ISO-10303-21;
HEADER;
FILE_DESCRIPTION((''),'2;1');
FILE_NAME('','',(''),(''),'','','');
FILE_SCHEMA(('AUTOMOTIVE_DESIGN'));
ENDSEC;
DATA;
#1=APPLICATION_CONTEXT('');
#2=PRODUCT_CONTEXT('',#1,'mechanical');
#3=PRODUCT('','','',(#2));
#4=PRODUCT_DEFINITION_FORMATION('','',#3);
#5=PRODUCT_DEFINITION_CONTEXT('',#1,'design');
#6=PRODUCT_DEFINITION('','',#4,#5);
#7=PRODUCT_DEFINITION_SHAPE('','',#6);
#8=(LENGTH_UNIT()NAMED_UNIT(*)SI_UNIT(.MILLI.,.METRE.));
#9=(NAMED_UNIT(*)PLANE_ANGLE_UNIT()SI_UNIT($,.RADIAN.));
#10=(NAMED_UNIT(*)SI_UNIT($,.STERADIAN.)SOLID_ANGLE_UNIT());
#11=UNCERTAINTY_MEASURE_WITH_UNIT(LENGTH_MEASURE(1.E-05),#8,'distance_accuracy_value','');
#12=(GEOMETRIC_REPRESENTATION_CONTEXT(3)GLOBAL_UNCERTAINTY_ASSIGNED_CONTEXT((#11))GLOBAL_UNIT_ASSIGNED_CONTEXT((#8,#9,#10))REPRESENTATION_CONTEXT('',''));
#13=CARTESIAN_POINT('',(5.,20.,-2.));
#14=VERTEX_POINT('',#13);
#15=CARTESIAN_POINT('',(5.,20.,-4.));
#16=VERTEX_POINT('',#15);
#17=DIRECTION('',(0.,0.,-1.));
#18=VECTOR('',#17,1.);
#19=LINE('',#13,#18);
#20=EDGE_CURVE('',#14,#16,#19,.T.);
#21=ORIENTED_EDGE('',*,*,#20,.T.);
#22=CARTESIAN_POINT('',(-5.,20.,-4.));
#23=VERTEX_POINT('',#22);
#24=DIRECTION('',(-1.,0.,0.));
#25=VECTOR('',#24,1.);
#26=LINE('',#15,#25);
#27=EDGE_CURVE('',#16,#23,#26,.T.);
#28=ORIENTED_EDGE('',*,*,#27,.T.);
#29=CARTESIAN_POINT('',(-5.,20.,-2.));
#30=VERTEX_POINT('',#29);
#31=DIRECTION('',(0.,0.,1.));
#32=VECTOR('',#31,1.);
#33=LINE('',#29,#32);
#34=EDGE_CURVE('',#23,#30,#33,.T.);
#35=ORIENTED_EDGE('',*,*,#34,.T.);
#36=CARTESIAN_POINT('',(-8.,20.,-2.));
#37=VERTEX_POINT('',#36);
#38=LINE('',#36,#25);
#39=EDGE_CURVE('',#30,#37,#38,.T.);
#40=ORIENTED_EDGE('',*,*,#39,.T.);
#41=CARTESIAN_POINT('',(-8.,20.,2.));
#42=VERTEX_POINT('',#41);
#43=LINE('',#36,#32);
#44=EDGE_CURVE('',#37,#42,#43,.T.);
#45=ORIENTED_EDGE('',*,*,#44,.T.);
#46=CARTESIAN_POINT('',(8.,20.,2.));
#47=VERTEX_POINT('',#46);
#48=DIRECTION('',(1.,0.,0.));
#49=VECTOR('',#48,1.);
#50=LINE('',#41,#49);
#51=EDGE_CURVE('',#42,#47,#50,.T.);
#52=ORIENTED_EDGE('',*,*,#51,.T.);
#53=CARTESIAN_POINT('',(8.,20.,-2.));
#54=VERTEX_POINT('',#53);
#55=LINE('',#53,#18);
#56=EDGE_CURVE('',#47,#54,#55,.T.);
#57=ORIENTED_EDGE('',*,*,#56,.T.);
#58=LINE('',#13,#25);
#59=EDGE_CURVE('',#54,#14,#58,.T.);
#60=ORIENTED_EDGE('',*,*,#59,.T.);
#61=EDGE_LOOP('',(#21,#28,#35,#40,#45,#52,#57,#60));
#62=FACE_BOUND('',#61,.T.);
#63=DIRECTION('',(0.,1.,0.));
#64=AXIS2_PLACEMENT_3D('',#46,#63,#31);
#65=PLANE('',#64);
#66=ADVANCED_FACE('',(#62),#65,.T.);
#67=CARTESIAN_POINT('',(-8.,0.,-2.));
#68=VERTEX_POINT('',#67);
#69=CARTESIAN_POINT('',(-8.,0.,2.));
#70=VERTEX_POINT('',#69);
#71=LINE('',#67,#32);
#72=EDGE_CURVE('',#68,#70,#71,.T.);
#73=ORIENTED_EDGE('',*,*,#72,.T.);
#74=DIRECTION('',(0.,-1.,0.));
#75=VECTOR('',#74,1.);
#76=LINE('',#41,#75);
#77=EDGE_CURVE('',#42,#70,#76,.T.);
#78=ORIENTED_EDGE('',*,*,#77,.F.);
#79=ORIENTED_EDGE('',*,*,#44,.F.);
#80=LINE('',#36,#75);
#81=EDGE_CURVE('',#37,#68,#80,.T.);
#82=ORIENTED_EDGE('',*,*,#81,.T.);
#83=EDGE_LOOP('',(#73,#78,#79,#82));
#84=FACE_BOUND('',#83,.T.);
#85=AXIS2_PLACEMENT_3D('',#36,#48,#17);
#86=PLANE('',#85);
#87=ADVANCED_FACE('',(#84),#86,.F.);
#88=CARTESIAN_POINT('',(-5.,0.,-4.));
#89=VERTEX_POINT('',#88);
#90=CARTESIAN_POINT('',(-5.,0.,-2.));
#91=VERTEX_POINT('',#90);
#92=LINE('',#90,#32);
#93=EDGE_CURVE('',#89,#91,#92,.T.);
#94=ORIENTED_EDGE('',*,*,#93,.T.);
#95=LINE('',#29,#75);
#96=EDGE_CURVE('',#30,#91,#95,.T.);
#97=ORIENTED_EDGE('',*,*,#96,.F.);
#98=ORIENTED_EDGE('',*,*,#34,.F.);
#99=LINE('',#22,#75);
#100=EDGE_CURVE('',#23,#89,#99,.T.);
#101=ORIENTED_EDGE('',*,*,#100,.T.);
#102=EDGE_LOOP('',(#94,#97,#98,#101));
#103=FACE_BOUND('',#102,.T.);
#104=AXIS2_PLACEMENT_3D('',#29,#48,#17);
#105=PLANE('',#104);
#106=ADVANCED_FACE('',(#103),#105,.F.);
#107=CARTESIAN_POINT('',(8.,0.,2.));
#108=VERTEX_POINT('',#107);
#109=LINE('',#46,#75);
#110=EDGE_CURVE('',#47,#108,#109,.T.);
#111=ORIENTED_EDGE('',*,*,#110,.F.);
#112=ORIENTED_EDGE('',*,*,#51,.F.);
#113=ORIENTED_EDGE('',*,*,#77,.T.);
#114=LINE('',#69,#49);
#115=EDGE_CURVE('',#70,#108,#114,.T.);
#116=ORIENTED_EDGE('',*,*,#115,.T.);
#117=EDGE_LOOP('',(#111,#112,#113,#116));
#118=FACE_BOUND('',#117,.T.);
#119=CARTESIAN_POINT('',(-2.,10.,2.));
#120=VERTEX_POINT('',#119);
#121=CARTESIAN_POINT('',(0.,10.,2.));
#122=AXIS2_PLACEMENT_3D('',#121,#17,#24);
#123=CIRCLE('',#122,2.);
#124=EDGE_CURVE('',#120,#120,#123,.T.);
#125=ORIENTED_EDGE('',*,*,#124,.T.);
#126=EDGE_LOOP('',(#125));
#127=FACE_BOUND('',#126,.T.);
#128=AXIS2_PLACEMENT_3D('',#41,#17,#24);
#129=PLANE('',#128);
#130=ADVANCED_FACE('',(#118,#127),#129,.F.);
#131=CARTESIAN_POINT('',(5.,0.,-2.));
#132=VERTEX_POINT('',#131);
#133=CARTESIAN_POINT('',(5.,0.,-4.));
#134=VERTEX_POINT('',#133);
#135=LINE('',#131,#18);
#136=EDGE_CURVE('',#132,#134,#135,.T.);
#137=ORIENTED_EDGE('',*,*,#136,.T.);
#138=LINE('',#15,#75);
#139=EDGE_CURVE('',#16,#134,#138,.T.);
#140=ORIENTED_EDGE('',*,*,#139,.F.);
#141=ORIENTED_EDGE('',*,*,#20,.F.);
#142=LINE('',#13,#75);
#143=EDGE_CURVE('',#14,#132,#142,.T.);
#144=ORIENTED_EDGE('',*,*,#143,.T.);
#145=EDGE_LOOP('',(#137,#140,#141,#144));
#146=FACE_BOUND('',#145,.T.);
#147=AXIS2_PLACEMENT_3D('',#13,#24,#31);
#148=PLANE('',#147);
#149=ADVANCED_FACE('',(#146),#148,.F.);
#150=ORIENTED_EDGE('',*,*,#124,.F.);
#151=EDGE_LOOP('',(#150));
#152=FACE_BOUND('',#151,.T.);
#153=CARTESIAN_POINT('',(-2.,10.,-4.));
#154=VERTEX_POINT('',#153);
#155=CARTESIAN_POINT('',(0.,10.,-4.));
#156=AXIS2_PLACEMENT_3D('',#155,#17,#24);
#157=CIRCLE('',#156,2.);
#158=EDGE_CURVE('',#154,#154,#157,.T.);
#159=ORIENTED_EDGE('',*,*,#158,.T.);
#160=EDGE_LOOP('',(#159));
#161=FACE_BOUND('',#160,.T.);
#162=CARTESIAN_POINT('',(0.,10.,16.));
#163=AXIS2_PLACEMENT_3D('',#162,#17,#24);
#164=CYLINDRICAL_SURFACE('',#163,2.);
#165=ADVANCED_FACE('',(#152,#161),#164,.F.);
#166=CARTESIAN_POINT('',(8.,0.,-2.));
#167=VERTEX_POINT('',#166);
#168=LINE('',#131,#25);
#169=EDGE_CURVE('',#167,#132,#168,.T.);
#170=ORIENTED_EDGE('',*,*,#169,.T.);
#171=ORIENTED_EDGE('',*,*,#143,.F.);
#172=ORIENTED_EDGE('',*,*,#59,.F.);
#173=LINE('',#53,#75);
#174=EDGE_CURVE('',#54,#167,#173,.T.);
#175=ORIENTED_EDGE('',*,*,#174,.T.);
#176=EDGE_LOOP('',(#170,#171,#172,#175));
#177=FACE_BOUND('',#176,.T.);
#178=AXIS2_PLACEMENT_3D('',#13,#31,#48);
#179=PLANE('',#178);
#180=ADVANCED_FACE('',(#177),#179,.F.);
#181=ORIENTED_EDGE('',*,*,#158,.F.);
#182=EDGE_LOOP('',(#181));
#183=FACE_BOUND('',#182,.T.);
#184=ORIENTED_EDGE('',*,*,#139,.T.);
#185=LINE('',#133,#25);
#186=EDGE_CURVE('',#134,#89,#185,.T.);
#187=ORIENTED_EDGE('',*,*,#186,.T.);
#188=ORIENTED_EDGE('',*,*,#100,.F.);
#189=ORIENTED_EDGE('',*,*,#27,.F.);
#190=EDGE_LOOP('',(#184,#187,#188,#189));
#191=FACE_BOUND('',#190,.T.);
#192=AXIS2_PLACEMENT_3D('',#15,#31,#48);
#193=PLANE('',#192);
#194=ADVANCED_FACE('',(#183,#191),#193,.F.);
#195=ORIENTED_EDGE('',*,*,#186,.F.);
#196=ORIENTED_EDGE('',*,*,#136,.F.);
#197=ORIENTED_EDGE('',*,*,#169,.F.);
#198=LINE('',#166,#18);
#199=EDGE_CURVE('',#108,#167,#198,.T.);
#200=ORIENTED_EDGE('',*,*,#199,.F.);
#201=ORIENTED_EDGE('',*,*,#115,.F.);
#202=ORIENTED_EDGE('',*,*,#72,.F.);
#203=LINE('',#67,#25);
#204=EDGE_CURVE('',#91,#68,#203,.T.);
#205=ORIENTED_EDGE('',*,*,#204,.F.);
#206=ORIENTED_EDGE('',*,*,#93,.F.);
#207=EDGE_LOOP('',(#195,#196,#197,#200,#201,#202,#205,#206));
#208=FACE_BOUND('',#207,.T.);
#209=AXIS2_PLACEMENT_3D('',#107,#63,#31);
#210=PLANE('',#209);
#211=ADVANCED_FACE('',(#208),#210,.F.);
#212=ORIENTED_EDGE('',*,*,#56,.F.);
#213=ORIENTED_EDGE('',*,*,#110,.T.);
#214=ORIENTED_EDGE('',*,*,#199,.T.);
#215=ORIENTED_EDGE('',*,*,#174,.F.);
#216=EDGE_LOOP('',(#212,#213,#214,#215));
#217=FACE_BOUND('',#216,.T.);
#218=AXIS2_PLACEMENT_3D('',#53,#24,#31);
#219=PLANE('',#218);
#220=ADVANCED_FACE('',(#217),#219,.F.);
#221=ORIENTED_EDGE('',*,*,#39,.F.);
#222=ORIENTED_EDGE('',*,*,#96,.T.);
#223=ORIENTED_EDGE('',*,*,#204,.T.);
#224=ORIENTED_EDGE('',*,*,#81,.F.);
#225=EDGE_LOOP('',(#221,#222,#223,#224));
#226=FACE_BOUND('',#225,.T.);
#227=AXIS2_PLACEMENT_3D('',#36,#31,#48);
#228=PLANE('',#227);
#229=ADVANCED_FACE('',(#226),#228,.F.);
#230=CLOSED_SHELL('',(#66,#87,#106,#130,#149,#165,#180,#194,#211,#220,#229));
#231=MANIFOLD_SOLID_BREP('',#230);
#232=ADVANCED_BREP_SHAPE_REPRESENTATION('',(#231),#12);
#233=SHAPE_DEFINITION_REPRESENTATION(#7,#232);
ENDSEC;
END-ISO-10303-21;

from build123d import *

# Parameters (mm, degrees)
EXTRUDE_1_DEPTH     = 20
CUT_EXTRUDE_2_DEPTH = 20


with BuildPart() as part:
    # 草图1 → 凸台-拉伸1 (new body)
    with BuildSketch(Plane(origin=(0, 0, 0), x_dir=(1, 0, 0), z_dir=(0, 1, 0))):
        Polygon((5, 2), (8, 2), (8, -2), (-8, -2), (-8, 2), (-5, 2), (-5, 4), (5, 4), align=None)
    extrude(amount=EXTRUDE_1_DEPTH)

    # 草图4 → 切除-拉伸2 (cut)
    with BuildSketch(Plane(origin=(0, 0, -4), x_dir=(-1, 0, 0), z_dir=(0, 0, -1))):
        with BuildLine():
            ThreePointArc((2, 10), (1.051462224, 11.701301617), (-0.894427191, 11.788854382))
            Line((-0.894427191, 11.788854382), (0.894427191, 8.211145618))
            ThreePointArc((0.894427191, 8.211145618), (1.701301617, 8.948537776), (2, 10))
        make_face()
        with BuildLine():
            Line((0.894427191, 8.211145618), (-0.894427191, 11.788854382))
            ThreePointArc((-0.894427191, 11.788854382), (-1.788854382, 9.105572809), (0.894427191, 8.211145618))
        make_face()
    extrude(amount=-CUT_EXTRUDE_2_DEPTH, mode=Mode.SUBTRACT)


solid = part.part
